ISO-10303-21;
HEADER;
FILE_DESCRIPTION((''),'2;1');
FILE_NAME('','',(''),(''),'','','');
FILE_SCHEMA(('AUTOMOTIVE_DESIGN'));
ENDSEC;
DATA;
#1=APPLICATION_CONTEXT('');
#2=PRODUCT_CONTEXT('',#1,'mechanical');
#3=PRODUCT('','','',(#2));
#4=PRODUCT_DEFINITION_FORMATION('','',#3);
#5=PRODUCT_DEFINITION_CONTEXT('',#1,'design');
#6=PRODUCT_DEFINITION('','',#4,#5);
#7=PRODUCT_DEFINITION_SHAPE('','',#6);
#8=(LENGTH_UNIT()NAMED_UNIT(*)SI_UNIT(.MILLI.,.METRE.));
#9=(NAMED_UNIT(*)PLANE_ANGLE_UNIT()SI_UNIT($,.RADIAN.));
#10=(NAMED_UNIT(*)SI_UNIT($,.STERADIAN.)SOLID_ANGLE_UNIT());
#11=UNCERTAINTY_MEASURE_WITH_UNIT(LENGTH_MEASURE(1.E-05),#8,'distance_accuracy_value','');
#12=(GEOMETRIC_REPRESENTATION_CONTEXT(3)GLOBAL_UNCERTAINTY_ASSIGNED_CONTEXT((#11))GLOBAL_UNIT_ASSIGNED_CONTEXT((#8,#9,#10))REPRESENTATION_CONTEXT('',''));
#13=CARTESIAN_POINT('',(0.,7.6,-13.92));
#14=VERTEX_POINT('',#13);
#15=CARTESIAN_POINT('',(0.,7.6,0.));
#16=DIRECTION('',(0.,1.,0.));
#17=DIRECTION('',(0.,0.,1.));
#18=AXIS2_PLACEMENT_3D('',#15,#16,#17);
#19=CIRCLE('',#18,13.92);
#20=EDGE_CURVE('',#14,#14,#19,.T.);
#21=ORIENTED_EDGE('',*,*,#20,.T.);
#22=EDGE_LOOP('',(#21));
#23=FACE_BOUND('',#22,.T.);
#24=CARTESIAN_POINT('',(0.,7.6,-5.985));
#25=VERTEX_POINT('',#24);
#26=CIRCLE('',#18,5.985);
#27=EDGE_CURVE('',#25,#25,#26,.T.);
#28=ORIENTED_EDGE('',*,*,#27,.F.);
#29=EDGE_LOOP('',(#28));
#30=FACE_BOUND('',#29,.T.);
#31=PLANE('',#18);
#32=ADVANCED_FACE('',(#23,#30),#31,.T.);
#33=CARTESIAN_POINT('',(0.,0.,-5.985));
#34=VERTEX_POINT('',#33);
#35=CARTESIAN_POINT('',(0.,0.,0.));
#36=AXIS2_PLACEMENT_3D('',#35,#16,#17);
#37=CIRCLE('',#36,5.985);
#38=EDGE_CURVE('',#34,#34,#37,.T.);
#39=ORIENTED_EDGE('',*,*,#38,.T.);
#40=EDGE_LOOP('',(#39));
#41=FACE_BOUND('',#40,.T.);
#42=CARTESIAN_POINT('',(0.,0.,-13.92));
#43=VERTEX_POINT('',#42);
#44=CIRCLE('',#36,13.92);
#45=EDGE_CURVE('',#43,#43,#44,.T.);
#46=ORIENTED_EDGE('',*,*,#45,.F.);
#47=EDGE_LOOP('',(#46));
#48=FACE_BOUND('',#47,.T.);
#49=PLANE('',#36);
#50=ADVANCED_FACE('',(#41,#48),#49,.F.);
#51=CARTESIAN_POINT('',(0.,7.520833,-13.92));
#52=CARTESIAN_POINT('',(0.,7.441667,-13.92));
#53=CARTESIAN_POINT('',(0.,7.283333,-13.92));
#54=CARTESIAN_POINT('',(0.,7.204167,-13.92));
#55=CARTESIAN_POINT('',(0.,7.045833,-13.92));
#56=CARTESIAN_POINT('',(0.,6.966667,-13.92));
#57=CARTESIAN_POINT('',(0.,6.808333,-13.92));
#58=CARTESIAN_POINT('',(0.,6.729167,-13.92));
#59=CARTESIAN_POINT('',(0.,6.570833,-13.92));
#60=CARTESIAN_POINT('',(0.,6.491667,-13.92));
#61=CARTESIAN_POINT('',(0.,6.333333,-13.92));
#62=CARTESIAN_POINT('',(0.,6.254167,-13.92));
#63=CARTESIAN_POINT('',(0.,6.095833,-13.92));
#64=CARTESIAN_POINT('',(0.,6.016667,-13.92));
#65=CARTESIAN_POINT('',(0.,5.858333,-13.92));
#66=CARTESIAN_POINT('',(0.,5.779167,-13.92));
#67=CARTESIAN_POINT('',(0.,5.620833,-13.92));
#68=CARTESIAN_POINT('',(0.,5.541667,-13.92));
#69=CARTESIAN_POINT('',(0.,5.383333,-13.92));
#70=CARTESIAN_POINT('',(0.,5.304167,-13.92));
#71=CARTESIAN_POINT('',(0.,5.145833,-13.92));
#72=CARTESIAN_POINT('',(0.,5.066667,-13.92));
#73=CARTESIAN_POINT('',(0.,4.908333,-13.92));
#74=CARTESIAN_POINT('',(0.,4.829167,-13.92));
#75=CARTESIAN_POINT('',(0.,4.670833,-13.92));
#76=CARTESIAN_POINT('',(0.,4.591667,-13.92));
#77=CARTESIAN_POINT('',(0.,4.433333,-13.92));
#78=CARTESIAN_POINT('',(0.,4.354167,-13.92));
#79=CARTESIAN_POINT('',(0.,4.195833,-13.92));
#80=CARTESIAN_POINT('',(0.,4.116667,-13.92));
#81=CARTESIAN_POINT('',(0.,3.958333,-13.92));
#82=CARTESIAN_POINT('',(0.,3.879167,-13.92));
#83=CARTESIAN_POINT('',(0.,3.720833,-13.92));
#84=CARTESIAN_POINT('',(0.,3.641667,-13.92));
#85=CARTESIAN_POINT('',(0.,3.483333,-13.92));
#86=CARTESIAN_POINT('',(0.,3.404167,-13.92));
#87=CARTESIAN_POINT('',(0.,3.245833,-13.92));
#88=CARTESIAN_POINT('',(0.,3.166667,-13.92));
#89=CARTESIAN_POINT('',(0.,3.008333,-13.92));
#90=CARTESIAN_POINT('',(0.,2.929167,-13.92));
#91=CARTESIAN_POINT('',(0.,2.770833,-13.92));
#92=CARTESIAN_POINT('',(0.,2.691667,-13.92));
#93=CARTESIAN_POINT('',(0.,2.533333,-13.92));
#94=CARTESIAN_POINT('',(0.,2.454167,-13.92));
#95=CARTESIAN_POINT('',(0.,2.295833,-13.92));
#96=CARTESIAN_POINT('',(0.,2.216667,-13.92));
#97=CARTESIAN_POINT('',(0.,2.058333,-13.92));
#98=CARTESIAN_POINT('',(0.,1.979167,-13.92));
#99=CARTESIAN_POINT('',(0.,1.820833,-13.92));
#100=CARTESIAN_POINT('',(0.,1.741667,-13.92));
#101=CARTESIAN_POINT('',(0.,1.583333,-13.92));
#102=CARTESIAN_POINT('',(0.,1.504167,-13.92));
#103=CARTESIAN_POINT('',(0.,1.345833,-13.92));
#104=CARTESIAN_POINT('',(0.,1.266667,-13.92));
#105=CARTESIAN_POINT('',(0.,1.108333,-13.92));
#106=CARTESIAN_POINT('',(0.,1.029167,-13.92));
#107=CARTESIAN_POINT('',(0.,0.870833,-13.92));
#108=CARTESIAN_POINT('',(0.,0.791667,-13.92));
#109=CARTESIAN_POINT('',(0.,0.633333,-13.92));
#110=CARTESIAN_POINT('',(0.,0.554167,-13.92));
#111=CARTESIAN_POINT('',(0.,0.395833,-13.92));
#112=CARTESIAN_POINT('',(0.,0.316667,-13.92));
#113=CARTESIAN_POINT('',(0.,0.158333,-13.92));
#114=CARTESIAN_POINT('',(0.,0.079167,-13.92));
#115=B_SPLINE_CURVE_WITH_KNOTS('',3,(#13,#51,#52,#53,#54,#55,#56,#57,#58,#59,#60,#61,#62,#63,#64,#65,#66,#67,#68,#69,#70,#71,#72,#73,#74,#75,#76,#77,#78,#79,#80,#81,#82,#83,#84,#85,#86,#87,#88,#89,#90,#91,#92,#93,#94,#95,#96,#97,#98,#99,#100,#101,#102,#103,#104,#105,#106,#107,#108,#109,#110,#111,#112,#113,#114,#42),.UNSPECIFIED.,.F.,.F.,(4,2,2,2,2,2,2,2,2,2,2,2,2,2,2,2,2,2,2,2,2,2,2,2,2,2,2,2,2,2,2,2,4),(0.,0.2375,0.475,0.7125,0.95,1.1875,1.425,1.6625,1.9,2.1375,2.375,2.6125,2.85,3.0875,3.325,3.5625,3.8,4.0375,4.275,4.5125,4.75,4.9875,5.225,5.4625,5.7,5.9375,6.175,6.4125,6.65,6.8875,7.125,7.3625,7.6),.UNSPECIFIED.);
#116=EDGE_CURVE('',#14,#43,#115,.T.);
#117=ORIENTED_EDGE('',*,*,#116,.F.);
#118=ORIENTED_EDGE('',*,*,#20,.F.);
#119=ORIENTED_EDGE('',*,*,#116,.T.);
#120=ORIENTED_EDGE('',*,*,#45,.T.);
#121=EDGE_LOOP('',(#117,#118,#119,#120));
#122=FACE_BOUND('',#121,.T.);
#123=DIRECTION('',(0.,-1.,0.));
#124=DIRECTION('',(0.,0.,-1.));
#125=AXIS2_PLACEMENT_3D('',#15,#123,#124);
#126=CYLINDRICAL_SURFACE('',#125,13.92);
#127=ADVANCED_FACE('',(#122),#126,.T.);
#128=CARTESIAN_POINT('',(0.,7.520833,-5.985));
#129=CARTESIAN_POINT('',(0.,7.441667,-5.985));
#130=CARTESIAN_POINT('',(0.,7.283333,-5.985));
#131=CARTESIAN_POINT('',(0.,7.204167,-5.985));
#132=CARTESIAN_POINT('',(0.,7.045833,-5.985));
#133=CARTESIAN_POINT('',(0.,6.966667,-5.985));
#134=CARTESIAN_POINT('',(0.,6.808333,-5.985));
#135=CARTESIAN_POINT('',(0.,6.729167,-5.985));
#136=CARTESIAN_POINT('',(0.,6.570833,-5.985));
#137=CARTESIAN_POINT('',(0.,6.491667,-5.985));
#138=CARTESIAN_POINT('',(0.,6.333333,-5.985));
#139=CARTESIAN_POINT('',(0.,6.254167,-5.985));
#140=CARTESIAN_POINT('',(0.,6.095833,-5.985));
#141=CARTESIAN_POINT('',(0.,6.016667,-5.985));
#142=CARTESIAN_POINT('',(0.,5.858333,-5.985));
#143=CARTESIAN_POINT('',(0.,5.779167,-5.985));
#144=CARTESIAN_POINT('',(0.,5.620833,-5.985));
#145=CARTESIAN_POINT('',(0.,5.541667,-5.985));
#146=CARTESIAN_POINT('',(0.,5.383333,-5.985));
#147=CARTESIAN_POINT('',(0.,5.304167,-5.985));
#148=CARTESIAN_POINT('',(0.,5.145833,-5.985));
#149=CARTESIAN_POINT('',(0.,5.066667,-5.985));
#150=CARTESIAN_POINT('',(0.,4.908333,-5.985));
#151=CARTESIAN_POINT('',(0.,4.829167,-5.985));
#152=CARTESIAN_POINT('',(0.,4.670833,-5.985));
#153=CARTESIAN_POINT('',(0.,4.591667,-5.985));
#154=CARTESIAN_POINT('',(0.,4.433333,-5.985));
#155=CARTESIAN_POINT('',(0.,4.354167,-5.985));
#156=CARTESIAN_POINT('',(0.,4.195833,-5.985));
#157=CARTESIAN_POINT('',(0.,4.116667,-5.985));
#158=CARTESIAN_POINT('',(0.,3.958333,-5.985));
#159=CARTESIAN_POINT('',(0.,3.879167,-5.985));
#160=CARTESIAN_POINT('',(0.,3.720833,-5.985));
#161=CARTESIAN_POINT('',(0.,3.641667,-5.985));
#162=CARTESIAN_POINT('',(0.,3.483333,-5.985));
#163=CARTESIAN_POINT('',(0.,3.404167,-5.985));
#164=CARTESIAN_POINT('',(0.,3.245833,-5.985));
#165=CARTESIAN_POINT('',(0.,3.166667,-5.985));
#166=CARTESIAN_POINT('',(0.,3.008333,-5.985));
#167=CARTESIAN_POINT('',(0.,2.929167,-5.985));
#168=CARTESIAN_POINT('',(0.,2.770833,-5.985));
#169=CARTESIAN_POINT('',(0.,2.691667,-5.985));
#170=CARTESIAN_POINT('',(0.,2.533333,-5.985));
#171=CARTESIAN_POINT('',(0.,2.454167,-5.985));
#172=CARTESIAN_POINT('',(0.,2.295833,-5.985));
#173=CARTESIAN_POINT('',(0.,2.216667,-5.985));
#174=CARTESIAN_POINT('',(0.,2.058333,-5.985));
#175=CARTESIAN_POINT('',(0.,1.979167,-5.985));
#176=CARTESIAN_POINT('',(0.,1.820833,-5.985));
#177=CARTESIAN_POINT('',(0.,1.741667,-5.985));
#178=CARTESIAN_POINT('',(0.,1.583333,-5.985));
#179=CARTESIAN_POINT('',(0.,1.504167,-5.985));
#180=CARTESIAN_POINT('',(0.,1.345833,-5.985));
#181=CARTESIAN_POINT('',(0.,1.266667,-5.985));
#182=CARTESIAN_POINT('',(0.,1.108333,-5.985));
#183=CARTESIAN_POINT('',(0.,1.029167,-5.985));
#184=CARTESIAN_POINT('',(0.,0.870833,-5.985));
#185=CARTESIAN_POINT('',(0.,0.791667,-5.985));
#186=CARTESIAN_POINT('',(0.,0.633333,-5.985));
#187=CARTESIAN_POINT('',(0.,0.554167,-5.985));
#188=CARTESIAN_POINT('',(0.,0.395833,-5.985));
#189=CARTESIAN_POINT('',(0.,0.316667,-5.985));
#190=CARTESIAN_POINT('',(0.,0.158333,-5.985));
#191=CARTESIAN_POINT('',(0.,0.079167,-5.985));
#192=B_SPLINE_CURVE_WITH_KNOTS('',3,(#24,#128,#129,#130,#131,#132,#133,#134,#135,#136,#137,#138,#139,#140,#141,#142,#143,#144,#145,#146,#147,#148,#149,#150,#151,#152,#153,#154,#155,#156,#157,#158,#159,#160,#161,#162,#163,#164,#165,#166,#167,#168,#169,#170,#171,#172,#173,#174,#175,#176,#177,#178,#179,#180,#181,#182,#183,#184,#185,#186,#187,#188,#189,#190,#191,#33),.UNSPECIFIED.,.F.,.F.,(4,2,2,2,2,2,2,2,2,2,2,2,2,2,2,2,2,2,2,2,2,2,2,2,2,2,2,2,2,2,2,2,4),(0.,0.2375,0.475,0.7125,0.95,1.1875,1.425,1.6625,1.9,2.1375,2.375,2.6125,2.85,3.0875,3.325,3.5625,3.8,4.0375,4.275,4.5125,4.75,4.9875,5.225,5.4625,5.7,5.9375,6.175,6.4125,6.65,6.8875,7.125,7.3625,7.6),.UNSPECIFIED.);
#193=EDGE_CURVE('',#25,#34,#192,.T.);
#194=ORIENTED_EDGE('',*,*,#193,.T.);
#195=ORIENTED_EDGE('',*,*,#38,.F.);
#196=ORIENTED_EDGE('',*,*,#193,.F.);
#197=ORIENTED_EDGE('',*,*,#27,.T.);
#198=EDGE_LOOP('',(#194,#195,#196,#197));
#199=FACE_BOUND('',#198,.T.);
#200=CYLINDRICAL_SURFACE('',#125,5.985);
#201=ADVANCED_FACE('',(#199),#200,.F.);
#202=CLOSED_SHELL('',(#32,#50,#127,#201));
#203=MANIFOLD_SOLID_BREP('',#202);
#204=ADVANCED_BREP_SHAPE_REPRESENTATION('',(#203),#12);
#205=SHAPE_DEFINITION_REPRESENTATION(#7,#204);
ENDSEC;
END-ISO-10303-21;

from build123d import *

# Parameters (mm, degrees)
IZIM2_R                     = 13.92
IZIM2_R_2                   = 5.985
Y_KSEKLIK_EKSTR_ZYON1_DEPTH = 7.6


with BuildPart() as part:
    # Çizim2 → Yükseklik-Ekstrüzyon1 (new body)
    with BuildSketch(Plane(origin=(0, 0, 0), x_dir=(1, 0, 0), z_dir=(0, 1, 0))):
        with Locations(Location((0, 0, 0), (0, 0, 90))):
            Circle(IZIM2_R)
        with Locations(Location((0, 0, 0), (0, 0, 90))):
            Circle(IZIM2_R_2, mode=Mode.SUBTRACT)
    extrude(amount=Y_KSEKLIK_EKSTR_ZYON1_DEPTH)


solid = part.part
